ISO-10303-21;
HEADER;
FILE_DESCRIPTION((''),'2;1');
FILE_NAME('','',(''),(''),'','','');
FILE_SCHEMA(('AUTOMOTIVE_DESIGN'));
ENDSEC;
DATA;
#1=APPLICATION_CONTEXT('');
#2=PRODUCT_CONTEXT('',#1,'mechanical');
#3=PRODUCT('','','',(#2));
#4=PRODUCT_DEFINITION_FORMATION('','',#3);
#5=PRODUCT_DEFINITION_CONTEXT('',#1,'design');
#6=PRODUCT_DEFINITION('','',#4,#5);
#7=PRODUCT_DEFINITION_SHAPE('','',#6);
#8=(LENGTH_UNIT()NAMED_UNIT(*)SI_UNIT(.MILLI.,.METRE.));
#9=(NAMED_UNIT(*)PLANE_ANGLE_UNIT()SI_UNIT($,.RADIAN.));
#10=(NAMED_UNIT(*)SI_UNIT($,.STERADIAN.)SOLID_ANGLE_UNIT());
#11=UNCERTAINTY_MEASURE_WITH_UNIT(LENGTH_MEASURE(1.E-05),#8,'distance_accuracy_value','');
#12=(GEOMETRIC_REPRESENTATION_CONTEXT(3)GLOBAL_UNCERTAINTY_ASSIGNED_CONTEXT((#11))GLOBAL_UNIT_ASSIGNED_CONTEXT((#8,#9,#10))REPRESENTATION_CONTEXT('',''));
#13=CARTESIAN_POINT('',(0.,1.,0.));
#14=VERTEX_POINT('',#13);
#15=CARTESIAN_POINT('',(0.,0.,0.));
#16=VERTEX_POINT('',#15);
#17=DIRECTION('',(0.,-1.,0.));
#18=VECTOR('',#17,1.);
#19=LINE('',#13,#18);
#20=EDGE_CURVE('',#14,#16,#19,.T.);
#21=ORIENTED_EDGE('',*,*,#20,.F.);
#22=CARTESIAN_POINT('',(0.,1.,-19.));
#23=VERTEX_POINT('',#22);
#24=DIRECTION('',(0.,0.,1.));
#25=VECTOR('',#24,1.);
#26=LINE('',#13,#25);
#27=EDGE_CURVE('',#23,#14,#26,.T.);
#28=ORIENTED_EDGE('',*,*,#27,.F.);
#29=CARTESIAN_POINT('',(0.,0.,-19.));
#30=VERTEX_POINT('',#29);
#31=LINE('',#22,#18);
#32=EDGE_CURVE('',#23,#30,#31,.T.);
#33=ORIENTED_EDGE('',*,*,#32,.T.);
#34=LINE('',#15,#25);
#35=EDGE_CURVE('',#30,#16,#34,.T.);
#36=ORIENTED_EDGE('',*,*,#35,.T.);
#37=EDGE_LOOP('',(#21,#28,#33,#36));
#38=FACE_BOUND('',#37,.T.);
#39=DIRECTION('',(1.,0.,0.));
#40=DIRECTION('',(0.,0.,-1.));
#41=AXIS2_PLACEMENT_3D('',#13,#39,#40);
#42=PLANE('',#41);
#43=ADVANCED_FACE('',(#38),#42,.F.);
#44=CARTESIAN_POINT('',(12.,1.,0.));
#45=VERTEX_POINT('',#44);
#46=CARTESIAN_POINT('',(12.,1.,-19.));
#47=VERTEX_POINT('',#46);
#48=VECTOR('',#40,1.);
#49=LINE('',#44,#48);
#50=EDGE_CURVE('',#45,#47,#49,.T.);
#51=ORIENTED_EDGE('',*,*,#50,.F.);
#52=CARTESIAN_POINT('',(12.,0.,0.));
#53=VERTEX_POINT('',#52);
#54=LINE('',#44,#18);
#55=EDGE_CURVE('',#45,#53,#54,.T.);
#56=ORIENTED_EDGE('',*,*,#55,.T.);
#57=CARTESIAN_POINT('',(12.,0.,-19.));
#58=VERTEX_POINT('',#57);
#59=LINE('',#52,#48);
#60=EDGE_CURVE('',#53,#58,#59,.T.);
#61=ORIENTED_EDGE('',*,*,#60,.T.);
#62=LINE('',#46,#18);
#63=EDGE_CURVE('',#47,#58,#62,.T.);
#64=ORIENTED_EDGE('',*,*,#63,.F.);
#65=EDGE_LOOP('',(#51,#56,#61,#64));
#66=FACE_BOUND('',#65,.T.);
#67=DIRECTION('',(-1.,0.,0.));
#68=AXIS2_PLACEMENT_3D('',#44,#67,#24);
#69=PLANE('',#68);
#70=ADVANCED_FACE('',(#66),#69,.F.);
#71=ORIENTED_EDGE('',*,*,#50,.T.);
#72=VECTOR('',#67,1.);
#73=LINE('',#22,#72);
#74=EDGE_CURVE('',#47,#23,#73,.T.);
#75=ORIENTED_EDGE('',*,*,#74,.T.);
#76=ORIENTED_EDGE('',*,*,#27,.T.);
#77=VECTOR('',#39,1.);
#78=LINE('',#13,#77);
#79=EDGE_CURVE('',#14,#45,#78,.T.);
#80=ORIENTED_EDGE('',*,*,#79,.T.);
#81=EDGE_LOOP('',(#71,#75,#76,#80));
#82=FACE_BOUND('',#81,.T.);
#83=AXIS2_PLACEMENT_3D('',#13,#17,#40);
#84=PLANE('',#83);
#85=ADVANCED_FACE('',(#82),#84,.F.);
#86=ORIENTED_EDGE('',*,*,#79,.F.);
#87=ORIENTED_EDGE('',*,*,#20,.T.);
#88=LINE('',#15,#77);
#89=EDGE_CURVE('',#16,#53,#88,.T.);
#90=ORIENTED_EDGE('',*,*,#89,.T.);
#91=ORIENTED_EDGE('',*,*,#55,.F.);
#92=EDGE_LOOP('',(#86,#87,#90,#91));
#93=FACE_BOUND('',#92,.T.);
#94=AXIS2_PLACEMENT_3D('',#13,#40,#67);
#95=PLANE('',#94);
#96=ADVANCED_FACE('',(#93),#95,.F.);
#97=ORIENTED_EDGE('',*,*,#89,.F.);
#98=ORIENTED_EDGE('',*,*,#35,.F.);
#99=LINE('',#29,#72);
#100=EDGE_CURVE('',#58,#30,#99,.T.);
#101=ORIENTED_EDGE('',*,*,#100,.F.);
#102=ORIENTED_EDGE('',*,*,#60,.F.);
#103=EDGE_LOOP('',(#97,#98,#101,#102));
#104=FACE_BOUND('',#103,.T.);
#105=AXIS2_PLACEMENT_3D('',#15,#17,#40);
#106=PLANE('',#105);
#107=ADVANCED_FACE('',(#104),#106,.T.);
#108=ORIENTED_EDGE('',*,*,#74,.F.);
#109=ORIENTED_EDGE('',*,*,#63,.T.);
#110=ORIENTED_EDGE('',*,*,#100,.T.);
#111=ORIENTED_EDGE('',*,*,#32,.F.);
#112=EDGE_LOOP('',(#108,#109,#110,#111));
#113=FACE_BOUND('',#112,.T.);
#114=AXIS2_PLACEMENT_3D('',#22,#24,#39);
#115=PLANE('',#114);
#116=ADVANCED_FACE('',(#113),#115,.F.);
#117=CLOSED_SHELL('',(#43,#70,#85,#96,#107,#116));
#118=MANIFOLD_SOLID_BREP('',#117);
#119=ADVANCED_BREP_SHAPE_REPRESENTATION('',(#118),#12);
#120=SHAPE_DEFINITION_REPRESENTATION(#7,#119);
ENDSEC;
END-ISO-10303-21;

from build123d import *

# Parameters (mm, degrees)
SKETCH_1_W      = 12
SKETCH_1_H      = 19
EXTRUDE_1_DEPTH = 1


with BuildPart() as part:
    # 草图1 → 凸台-拉伸1 (new body)
    with BuildSketch(Plane(origin=(0, 0, 0), x_dir=(1, 0, 0), z_dir=(0, 1, 0))):
        with Locations((6, 9.5)):
            Rectangle(SKETCH_1_W, SKETCH_1_H)
    extrude(amount=EXTRUDE_1_DEPTH)


solid = part.part
